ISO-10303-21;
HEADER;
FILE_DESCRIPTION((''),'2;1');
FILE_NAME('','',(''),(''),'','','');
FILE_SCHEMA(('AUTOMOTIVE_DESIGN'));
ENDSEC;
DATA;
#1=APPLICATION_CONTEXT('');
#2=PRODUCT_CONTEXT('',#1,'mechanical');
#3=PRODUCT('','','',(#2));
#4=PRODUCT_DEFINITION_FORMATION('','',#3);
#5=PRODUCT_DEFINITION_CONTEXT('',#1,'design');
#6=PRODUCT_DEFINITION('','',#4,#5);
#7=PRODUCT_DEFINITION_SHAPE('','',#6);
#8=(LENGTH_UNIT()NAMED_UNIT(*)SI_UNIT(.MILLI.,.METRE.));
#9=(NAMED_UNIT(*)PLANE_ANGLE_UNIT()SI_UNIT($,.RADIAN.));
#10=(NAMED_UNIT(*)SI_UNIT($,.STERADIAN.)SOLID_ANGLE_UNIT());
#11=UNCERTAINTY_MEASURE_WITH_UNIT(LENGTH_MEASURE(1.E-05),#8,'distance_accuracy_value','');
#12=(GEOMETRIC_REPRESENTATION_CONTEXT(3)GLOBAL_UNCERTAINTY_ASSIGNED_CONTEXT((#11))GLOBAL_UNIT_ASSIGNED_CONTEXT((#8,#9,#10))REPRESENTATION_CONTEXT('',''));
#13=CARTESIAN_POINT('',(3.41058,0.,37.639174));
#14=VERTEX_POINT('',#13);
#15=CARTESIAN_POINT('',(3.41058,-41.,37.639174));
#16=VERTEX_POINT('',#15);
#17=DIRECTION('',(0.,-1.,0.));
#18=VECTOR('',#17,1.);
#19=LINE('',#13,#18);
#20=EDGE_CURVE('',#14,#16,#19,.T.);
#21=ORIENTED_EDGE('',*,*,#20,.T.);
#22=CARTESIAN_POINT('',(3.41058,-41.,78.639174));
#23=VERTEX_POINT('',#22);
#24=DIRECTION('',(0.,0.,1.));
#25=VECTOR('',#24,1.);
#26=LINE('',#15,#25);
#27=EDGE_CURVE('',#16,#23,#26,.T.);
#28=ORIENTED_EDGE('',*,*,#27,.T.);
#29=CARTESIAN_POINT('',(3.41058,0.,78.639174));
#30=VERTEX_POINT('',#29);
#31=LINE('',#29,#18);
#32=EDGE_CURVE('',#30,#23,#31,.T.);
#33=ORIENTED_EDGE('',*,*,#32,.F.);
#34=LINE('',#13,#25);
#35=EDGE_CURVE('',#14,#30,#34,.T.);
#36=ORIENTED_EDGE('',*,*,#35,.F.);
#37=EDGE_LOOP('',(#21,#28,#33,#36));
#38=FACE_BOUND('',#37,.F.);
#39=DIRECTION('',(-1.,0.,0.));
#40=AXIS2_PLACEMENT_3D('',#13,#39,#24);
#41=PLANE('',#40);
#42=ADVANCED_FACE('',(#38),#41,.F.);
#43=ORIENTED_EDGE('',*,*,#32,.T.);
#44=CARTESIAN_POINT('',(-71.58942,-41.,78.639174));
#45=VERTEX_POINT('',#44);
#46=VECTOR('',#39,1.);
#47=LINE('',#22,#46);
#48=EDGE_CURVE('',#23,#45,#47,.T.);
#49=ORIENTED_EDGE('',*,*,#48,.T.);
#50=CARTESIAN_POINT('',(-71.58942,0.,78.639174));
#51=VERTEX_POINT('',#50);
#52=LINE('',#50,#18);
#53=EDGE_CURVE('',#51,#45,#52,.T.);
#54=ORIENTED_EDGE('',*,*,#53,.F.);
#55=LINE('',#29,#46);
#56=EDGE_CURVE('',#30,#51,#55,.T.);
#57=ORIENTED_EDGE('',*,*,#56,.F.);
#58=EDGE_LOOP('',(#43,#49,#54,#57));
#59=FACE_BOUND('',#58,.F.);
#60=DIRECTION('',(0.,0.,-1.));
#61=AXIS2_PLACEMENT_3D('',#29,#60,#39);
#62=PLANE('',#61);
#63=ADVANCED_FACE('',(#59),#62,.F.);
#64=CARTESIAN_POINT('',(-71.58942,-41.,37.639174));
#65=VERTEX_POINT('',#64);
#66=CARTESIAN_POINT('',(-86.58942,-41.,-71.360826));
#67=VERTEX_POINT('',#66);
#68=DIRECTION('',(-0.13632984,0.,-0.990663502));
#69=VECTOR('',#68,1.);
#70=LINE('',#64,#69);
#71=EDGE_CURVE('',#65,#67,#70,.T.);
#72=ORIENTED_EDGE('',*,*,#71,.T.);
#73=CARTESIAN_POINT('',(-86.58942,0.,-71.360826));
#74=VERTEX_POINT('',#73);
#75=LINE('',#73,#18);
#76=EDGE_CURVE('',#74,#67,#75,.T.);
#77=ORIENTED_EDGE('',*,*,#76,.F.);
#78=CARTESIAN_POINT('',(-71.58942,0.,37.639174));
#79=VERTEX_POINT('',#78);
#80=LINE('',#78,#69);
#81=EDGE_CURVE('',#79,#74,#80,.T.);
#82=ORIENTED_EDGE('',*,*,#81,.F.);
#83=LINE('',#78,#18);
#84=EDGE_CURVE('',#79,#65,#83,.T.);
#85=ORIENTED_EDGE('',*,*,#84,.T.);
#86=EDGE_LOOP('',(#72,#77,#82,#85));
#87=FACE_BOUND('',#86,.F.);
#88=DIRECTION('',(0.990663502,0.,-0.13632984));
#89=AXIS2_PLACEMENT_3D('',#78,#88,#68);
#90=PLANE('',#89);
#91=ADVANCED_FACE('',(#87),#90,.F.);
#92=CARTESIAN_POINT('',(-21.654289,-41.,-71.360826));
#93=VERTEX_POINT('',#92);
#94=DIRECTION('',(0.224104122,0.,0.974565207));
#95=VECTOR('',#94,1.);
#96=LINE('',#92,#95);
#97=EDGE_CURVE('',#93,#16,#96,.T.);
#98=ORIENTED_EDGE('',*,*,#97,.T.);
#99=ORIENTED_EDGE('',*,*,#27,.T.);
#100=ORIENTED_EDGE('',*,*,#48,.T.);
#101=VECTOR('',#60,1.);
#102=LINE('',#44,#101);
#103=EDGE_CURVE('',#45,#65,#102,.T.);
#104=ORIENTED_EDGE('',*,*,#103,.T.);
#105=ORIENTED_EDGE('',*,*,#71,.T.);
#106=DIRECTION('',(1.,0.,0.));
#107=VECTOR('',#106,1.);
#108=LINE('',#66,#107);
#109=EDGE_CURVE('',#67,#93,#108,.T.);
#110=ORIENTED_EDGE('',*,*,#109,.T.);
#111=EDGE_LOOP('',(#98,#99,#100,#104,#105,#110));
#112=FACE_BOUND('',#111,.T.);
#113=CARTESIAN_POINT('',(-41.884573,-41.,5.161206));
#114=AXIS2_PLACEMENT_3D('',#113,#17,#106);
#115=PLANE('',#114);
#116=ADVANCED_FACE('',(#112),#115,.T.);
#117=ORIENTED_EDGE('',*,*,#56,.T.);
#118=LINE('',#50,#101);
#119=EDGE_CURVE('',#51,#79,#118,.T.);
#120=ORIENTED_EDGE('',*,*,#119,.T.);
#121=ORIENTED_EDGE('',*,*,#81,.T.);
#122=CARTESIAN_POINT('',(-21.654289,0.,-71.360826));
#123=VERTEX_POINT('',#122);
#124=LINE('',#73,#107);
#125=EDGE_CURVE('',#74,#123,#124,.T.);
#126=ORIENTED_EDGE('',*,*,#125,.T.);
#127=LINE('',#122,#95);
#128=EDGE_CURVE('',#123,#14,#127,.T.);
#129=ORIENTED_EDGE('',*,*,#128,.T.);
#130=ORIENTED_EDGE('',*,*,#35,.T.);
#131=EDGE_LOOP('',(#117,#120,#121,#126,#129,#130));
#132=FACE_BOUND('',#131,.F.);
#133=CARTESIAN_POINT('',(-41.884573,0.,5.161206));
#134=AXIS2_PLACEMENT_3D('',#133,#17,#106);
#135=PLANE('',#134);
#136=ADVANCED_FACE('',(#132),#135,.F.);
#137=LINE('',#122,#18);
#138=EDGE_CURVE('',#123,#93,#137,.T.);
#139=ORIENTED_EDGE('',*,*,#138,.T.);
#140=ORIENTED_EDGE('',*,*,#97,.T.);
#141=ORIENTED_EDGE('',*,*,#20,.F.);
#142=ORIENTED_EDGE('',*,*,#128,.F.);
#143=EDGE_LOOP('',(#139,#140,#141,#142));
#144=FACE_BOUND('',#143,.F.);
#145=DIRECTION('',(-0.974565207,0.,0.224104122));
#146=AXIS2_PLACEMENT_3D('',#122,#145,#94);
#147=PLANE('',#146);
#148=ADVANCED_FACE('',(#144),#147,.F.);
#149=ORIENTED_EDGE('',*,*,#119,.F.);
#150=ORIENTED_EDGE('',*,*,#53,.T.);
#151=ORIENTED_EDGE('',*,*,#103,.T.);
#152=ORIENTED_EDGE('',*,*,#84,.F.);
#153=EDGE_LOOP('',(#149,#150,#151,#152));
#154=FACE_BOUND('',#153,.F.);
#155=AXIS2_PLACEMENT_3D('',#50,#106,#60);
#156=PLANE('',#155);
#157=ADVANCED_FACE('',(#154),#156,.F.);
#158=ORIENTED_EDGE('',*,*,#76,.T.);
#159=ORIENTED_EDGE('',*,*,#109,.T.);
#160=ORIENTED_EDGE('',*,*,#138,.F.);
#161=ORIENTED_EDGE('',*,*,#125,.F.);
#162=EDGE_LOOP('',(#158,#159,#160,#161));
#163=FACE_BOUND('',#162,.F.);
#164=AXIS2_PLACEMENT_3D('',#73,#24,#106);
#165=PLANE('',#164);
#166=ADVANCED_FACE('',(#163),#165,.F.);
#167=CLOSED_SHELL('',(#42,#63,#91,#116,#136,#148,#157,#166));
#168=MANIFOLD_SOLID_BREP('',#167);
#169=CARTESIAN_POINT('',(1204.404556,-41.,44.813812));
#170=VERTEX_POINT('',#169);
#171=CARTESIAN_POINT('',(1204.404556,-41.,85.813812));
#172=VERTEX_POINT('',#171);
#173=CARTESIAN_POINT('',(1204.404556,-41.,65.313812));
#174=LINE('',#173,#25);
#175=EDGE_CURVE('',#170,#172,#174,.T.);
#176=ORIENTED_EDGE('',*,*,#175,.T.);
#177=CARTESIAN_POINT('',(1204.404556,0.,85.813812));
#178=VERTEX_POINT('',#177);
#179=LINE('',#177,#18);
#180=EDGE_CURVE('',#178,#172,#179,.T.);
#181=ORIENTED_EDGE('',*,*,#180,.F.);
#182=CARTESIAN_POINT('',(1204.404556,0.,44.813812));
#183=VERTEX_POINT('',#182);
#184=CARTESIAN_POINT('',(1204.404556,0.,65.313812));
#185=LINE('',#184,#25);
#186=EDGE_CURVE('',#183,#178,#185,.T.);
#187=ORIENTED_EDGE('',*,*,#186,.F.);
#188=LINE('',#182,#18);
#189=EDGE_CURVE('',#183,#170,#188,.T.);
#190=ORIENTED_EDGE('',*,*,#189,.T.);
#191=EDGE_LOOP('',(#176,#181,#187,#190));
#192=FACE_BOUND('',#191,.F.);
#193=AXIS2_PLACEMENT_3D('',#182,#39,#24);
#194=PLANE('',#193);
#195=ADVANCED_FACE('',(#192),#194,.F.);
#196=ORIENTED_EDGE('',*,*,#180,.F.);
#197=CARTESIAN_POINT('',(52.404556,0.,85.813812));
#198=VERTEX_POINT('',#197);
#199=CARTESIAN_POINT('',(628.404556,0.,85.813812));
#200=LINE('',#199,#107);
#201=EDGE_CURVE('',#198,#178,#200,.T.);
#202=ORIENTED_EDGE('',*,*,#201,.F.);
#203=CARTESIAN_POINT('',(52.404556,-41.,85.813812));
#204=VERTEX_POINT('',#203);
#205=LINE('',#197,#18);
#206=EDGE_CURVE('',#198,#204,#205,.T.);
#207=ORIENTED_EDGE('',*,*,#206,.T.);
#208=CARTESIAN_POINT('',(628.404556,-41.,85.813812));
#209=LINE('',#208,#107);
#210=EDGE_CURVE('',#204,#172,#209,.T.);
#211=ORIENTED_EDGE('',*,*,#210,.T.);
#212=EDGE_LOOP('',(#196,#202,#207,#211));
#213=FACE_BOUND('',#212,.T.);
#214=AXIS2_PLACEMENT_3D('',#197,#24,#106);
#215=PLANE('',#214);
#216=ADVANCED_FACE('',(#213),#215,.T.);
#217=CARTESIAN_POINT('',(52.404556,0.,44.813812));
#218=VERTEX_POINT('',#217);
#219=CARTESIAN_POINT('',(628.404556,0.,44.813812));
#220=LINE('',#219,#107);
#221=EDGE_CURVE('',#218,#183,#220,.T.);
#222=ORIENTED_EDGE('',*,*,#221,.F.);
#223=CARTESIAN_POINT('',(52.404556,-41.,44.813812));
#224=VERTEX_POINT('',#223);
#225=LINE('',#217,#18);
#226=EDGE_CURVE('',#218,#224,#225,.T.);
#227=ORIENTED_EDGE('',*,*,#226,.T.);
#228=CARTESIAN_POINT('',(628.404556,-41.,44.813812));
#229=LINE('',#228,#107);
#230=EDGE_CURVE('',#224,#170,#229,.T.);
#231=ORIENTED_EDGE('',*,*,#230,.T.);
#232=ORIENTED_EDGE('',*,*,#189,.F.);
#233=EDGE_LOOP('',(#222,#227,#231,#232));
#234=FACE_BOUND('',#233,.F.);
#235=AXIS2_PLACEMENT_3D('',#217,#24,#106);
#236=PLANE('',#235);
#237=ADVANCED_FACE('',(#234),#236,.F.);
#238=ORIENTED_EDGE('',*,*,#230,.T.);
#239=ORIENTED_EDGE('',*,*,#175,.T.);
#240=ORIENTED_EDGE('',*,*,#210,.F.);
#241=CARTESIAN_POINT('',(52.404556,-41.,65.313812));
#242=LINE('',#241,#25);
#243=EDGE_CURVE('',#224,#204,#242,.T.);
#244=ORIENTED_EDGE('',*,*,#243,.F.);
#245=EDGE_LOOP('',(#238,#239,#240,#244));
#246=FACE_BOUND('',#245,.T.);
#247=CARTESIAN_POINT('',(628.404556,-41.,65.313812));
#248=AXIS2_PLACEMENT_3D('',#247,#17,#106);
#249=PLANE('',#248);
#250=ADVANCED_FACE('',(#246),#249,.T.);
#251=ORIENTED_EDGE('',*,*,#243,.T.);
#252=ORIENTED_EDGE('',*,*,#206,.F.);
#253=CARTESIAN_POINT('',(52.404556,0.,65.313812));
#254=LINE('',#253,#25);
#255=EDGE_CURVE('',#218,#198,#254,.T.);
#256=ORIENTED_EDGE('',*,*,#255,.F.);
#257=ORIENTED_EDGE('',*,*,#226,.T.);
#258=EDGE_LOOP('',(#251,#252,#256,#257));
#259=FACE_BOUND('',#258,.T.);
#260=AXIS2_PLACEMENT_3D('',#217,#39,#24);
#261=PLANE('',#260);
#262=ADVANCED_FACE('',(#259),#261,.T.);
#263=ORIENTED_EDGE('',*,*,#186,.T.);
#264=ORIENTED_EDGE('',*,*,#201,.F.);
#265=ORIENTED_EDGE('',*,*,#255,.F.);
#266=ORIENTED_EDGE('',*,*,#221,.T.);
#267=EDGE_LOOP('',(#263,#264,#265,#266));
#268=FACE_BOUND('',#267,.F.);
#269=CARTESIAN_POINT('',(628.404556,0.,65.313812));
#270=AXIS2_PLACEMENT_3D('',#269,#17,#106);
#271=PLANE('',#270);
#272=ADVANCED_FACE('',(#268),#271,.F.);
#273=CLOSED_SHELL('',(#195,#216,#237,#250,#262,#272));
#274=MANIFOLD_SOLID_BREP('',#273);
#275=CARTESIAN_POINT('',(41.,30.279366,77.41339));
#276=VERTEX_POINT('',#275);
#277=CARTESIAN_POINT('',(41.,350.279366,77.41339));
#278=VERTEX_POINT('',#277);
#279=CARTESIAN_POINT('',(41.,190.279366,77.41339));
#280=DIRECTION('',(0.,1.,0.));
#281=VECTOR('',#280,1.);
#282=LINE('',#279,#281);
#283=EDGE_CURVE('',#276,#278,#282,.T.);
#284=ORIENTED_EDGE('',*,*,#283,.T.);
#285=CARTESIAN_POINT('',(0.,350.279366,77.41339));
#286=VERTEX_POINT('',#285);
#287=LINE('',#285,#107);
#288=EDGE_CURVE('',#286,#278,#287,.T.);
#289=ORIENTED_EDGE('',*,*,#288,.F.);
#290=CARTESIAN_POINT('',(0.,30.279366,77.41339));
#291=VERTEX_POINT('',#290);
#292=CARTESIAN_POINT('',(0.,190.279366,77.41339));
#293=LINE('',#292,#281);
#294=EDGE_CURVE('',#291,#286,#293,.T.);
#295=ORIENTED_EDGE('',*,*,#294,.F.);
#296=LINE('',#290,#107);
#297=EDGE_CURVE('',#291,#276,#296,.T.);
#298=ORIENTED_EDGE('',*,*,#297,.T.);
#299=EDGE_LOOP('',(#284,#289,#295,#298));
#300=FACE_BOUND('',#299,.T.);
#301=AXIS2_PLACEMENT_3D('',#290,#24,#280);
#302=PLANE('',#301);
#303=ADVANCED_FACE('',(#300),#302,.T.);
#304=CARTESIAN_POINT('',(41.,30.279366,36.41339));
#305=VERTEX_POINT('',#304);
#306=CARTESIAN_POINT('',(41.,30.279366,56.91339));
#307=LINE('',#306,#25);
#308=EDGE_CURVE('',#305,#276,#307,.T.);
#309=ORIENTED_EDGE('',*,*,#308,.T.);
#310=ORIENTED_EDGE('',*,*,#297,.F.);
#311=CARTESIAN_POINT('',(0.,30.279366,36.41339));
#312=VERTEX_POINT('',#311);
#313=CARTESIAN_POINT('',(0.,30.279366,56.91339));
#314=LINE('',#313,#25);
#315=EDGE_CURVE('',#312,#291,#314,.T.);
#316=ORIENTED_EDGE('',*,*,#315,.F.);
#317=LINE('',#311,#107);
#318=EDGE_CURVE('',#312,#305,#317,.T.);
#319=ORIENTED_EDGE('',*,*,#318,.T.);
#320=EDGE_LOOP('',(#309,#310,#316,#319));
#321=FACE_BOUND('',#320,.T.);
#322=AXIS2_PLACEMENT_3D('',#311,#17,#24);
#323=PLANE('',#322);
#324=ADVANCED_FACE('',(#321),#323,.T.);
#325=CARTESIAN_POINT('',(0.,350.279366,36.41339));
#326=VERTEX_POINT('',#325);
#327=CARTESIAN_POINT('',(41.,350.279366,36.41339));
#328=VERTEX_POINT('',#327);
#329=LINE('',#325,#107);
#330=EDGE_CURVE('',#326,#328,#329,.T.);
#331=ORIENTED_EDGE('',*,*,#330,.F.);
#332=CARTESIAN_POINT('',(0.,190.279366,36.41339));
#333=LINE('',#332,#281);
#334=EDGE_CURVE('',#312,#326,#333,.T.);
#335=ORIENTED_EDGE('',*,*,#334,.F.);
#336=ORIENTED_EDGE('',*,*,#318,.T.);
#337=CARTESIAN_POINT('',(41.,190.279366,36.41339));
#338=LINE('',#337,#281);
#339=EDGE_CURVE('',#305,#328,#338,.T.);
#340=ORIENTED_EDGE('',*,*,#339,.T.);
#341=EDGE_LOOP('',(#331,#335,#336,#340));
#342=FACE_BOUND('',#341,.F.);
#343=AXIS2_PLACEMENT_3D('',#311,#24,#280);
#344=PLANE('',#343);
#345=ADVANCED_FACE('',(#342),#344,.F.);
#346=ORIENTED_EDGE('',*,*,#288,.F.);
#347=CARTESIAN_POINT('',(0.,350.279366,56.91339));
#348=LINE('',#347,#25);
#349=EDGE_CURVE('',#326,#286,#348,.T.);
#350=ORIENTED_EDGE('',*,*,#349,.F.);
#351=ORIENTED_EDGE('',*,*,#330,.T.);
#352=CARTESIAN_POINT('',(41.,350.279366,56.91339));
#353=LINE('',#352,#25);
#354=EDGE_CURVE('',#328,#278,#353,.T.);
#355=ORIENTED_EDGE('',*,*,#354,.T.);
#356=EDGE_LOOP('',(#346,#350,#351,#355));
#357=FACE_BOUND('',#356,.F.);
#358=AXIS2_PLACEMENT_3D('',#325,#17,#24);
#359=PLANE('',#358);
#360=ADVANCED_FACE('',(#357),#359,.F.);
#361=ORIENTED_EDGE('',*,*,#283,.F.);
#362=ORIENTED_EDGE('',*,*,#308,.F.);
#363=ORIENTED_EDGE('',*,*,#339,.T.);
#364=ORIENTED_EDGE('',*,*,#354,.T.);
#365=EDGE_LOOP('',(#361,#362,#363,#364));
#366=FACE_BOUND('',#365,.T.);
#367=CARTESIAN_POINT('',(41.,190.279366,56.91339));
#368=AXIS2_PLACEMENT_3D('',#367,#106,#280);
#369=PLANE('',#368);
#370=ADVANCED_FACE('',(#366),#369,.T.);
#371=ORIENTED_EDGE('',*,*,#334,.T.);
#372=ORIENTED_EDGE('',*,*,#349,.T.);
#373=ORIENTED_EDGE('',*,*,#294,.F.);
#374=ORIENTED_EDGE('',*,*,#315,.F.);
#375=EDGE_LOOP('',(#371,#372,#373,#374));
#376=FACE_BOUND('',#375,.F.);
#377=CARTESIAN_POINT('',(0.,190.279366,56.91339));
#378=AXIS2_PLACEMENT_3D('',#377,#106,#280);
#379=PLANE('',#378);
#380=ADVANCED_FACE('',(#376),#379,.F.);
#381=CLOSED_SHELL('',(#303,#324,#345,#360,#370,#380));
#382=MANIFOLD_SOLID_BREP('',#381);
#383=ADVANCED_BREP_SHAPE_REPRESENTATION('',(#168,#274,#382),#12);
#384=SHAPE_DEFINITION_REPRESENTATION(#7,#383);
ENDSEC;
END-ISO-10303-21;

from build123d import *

# Parameters (mm, degrees)
F1_DEPTH = 41
F2_W     = 1152
F2_H     = 41
F3_DEPTH = 41
F4_W     = 320
F4_H     = 41
F5_DEPTH = 41


with BuildPart() as f1:
    # F0 (on Front) → F1 (new body)
    with BuildSketch(Plane.XZ):
        Polygon((3.41058, 78.639174), (-71.58942, 78.639174), (-71.58942, 37.639174), (-86.58942, -71.360826), (-21.654289, -71.360826), (3.41058, 37.639174), align=None)
    extrude(amount=F1_DEPTH)


with BuildPart() as f3:
    # F2 (on Front) → F3 (new body)
    with BuildSketch(Plane.XZ):
        with Locations((628.404556, 65.313812)):
            Rectangle(F2_W, F2_H)
    extrude(amount=F3_DEPTH)


with BuildPart() as f5:
    # F4 (on Right) → F5 (new body)
    with BuildSketch(Plane.YZ):
        with Locations((190.279366, 56.91339)):
            Rectangle(F4_W, F4_H)
    extrude(amount=F5_DEPTH)


solid = Compound([f1.part, f3.part, f5.part])
